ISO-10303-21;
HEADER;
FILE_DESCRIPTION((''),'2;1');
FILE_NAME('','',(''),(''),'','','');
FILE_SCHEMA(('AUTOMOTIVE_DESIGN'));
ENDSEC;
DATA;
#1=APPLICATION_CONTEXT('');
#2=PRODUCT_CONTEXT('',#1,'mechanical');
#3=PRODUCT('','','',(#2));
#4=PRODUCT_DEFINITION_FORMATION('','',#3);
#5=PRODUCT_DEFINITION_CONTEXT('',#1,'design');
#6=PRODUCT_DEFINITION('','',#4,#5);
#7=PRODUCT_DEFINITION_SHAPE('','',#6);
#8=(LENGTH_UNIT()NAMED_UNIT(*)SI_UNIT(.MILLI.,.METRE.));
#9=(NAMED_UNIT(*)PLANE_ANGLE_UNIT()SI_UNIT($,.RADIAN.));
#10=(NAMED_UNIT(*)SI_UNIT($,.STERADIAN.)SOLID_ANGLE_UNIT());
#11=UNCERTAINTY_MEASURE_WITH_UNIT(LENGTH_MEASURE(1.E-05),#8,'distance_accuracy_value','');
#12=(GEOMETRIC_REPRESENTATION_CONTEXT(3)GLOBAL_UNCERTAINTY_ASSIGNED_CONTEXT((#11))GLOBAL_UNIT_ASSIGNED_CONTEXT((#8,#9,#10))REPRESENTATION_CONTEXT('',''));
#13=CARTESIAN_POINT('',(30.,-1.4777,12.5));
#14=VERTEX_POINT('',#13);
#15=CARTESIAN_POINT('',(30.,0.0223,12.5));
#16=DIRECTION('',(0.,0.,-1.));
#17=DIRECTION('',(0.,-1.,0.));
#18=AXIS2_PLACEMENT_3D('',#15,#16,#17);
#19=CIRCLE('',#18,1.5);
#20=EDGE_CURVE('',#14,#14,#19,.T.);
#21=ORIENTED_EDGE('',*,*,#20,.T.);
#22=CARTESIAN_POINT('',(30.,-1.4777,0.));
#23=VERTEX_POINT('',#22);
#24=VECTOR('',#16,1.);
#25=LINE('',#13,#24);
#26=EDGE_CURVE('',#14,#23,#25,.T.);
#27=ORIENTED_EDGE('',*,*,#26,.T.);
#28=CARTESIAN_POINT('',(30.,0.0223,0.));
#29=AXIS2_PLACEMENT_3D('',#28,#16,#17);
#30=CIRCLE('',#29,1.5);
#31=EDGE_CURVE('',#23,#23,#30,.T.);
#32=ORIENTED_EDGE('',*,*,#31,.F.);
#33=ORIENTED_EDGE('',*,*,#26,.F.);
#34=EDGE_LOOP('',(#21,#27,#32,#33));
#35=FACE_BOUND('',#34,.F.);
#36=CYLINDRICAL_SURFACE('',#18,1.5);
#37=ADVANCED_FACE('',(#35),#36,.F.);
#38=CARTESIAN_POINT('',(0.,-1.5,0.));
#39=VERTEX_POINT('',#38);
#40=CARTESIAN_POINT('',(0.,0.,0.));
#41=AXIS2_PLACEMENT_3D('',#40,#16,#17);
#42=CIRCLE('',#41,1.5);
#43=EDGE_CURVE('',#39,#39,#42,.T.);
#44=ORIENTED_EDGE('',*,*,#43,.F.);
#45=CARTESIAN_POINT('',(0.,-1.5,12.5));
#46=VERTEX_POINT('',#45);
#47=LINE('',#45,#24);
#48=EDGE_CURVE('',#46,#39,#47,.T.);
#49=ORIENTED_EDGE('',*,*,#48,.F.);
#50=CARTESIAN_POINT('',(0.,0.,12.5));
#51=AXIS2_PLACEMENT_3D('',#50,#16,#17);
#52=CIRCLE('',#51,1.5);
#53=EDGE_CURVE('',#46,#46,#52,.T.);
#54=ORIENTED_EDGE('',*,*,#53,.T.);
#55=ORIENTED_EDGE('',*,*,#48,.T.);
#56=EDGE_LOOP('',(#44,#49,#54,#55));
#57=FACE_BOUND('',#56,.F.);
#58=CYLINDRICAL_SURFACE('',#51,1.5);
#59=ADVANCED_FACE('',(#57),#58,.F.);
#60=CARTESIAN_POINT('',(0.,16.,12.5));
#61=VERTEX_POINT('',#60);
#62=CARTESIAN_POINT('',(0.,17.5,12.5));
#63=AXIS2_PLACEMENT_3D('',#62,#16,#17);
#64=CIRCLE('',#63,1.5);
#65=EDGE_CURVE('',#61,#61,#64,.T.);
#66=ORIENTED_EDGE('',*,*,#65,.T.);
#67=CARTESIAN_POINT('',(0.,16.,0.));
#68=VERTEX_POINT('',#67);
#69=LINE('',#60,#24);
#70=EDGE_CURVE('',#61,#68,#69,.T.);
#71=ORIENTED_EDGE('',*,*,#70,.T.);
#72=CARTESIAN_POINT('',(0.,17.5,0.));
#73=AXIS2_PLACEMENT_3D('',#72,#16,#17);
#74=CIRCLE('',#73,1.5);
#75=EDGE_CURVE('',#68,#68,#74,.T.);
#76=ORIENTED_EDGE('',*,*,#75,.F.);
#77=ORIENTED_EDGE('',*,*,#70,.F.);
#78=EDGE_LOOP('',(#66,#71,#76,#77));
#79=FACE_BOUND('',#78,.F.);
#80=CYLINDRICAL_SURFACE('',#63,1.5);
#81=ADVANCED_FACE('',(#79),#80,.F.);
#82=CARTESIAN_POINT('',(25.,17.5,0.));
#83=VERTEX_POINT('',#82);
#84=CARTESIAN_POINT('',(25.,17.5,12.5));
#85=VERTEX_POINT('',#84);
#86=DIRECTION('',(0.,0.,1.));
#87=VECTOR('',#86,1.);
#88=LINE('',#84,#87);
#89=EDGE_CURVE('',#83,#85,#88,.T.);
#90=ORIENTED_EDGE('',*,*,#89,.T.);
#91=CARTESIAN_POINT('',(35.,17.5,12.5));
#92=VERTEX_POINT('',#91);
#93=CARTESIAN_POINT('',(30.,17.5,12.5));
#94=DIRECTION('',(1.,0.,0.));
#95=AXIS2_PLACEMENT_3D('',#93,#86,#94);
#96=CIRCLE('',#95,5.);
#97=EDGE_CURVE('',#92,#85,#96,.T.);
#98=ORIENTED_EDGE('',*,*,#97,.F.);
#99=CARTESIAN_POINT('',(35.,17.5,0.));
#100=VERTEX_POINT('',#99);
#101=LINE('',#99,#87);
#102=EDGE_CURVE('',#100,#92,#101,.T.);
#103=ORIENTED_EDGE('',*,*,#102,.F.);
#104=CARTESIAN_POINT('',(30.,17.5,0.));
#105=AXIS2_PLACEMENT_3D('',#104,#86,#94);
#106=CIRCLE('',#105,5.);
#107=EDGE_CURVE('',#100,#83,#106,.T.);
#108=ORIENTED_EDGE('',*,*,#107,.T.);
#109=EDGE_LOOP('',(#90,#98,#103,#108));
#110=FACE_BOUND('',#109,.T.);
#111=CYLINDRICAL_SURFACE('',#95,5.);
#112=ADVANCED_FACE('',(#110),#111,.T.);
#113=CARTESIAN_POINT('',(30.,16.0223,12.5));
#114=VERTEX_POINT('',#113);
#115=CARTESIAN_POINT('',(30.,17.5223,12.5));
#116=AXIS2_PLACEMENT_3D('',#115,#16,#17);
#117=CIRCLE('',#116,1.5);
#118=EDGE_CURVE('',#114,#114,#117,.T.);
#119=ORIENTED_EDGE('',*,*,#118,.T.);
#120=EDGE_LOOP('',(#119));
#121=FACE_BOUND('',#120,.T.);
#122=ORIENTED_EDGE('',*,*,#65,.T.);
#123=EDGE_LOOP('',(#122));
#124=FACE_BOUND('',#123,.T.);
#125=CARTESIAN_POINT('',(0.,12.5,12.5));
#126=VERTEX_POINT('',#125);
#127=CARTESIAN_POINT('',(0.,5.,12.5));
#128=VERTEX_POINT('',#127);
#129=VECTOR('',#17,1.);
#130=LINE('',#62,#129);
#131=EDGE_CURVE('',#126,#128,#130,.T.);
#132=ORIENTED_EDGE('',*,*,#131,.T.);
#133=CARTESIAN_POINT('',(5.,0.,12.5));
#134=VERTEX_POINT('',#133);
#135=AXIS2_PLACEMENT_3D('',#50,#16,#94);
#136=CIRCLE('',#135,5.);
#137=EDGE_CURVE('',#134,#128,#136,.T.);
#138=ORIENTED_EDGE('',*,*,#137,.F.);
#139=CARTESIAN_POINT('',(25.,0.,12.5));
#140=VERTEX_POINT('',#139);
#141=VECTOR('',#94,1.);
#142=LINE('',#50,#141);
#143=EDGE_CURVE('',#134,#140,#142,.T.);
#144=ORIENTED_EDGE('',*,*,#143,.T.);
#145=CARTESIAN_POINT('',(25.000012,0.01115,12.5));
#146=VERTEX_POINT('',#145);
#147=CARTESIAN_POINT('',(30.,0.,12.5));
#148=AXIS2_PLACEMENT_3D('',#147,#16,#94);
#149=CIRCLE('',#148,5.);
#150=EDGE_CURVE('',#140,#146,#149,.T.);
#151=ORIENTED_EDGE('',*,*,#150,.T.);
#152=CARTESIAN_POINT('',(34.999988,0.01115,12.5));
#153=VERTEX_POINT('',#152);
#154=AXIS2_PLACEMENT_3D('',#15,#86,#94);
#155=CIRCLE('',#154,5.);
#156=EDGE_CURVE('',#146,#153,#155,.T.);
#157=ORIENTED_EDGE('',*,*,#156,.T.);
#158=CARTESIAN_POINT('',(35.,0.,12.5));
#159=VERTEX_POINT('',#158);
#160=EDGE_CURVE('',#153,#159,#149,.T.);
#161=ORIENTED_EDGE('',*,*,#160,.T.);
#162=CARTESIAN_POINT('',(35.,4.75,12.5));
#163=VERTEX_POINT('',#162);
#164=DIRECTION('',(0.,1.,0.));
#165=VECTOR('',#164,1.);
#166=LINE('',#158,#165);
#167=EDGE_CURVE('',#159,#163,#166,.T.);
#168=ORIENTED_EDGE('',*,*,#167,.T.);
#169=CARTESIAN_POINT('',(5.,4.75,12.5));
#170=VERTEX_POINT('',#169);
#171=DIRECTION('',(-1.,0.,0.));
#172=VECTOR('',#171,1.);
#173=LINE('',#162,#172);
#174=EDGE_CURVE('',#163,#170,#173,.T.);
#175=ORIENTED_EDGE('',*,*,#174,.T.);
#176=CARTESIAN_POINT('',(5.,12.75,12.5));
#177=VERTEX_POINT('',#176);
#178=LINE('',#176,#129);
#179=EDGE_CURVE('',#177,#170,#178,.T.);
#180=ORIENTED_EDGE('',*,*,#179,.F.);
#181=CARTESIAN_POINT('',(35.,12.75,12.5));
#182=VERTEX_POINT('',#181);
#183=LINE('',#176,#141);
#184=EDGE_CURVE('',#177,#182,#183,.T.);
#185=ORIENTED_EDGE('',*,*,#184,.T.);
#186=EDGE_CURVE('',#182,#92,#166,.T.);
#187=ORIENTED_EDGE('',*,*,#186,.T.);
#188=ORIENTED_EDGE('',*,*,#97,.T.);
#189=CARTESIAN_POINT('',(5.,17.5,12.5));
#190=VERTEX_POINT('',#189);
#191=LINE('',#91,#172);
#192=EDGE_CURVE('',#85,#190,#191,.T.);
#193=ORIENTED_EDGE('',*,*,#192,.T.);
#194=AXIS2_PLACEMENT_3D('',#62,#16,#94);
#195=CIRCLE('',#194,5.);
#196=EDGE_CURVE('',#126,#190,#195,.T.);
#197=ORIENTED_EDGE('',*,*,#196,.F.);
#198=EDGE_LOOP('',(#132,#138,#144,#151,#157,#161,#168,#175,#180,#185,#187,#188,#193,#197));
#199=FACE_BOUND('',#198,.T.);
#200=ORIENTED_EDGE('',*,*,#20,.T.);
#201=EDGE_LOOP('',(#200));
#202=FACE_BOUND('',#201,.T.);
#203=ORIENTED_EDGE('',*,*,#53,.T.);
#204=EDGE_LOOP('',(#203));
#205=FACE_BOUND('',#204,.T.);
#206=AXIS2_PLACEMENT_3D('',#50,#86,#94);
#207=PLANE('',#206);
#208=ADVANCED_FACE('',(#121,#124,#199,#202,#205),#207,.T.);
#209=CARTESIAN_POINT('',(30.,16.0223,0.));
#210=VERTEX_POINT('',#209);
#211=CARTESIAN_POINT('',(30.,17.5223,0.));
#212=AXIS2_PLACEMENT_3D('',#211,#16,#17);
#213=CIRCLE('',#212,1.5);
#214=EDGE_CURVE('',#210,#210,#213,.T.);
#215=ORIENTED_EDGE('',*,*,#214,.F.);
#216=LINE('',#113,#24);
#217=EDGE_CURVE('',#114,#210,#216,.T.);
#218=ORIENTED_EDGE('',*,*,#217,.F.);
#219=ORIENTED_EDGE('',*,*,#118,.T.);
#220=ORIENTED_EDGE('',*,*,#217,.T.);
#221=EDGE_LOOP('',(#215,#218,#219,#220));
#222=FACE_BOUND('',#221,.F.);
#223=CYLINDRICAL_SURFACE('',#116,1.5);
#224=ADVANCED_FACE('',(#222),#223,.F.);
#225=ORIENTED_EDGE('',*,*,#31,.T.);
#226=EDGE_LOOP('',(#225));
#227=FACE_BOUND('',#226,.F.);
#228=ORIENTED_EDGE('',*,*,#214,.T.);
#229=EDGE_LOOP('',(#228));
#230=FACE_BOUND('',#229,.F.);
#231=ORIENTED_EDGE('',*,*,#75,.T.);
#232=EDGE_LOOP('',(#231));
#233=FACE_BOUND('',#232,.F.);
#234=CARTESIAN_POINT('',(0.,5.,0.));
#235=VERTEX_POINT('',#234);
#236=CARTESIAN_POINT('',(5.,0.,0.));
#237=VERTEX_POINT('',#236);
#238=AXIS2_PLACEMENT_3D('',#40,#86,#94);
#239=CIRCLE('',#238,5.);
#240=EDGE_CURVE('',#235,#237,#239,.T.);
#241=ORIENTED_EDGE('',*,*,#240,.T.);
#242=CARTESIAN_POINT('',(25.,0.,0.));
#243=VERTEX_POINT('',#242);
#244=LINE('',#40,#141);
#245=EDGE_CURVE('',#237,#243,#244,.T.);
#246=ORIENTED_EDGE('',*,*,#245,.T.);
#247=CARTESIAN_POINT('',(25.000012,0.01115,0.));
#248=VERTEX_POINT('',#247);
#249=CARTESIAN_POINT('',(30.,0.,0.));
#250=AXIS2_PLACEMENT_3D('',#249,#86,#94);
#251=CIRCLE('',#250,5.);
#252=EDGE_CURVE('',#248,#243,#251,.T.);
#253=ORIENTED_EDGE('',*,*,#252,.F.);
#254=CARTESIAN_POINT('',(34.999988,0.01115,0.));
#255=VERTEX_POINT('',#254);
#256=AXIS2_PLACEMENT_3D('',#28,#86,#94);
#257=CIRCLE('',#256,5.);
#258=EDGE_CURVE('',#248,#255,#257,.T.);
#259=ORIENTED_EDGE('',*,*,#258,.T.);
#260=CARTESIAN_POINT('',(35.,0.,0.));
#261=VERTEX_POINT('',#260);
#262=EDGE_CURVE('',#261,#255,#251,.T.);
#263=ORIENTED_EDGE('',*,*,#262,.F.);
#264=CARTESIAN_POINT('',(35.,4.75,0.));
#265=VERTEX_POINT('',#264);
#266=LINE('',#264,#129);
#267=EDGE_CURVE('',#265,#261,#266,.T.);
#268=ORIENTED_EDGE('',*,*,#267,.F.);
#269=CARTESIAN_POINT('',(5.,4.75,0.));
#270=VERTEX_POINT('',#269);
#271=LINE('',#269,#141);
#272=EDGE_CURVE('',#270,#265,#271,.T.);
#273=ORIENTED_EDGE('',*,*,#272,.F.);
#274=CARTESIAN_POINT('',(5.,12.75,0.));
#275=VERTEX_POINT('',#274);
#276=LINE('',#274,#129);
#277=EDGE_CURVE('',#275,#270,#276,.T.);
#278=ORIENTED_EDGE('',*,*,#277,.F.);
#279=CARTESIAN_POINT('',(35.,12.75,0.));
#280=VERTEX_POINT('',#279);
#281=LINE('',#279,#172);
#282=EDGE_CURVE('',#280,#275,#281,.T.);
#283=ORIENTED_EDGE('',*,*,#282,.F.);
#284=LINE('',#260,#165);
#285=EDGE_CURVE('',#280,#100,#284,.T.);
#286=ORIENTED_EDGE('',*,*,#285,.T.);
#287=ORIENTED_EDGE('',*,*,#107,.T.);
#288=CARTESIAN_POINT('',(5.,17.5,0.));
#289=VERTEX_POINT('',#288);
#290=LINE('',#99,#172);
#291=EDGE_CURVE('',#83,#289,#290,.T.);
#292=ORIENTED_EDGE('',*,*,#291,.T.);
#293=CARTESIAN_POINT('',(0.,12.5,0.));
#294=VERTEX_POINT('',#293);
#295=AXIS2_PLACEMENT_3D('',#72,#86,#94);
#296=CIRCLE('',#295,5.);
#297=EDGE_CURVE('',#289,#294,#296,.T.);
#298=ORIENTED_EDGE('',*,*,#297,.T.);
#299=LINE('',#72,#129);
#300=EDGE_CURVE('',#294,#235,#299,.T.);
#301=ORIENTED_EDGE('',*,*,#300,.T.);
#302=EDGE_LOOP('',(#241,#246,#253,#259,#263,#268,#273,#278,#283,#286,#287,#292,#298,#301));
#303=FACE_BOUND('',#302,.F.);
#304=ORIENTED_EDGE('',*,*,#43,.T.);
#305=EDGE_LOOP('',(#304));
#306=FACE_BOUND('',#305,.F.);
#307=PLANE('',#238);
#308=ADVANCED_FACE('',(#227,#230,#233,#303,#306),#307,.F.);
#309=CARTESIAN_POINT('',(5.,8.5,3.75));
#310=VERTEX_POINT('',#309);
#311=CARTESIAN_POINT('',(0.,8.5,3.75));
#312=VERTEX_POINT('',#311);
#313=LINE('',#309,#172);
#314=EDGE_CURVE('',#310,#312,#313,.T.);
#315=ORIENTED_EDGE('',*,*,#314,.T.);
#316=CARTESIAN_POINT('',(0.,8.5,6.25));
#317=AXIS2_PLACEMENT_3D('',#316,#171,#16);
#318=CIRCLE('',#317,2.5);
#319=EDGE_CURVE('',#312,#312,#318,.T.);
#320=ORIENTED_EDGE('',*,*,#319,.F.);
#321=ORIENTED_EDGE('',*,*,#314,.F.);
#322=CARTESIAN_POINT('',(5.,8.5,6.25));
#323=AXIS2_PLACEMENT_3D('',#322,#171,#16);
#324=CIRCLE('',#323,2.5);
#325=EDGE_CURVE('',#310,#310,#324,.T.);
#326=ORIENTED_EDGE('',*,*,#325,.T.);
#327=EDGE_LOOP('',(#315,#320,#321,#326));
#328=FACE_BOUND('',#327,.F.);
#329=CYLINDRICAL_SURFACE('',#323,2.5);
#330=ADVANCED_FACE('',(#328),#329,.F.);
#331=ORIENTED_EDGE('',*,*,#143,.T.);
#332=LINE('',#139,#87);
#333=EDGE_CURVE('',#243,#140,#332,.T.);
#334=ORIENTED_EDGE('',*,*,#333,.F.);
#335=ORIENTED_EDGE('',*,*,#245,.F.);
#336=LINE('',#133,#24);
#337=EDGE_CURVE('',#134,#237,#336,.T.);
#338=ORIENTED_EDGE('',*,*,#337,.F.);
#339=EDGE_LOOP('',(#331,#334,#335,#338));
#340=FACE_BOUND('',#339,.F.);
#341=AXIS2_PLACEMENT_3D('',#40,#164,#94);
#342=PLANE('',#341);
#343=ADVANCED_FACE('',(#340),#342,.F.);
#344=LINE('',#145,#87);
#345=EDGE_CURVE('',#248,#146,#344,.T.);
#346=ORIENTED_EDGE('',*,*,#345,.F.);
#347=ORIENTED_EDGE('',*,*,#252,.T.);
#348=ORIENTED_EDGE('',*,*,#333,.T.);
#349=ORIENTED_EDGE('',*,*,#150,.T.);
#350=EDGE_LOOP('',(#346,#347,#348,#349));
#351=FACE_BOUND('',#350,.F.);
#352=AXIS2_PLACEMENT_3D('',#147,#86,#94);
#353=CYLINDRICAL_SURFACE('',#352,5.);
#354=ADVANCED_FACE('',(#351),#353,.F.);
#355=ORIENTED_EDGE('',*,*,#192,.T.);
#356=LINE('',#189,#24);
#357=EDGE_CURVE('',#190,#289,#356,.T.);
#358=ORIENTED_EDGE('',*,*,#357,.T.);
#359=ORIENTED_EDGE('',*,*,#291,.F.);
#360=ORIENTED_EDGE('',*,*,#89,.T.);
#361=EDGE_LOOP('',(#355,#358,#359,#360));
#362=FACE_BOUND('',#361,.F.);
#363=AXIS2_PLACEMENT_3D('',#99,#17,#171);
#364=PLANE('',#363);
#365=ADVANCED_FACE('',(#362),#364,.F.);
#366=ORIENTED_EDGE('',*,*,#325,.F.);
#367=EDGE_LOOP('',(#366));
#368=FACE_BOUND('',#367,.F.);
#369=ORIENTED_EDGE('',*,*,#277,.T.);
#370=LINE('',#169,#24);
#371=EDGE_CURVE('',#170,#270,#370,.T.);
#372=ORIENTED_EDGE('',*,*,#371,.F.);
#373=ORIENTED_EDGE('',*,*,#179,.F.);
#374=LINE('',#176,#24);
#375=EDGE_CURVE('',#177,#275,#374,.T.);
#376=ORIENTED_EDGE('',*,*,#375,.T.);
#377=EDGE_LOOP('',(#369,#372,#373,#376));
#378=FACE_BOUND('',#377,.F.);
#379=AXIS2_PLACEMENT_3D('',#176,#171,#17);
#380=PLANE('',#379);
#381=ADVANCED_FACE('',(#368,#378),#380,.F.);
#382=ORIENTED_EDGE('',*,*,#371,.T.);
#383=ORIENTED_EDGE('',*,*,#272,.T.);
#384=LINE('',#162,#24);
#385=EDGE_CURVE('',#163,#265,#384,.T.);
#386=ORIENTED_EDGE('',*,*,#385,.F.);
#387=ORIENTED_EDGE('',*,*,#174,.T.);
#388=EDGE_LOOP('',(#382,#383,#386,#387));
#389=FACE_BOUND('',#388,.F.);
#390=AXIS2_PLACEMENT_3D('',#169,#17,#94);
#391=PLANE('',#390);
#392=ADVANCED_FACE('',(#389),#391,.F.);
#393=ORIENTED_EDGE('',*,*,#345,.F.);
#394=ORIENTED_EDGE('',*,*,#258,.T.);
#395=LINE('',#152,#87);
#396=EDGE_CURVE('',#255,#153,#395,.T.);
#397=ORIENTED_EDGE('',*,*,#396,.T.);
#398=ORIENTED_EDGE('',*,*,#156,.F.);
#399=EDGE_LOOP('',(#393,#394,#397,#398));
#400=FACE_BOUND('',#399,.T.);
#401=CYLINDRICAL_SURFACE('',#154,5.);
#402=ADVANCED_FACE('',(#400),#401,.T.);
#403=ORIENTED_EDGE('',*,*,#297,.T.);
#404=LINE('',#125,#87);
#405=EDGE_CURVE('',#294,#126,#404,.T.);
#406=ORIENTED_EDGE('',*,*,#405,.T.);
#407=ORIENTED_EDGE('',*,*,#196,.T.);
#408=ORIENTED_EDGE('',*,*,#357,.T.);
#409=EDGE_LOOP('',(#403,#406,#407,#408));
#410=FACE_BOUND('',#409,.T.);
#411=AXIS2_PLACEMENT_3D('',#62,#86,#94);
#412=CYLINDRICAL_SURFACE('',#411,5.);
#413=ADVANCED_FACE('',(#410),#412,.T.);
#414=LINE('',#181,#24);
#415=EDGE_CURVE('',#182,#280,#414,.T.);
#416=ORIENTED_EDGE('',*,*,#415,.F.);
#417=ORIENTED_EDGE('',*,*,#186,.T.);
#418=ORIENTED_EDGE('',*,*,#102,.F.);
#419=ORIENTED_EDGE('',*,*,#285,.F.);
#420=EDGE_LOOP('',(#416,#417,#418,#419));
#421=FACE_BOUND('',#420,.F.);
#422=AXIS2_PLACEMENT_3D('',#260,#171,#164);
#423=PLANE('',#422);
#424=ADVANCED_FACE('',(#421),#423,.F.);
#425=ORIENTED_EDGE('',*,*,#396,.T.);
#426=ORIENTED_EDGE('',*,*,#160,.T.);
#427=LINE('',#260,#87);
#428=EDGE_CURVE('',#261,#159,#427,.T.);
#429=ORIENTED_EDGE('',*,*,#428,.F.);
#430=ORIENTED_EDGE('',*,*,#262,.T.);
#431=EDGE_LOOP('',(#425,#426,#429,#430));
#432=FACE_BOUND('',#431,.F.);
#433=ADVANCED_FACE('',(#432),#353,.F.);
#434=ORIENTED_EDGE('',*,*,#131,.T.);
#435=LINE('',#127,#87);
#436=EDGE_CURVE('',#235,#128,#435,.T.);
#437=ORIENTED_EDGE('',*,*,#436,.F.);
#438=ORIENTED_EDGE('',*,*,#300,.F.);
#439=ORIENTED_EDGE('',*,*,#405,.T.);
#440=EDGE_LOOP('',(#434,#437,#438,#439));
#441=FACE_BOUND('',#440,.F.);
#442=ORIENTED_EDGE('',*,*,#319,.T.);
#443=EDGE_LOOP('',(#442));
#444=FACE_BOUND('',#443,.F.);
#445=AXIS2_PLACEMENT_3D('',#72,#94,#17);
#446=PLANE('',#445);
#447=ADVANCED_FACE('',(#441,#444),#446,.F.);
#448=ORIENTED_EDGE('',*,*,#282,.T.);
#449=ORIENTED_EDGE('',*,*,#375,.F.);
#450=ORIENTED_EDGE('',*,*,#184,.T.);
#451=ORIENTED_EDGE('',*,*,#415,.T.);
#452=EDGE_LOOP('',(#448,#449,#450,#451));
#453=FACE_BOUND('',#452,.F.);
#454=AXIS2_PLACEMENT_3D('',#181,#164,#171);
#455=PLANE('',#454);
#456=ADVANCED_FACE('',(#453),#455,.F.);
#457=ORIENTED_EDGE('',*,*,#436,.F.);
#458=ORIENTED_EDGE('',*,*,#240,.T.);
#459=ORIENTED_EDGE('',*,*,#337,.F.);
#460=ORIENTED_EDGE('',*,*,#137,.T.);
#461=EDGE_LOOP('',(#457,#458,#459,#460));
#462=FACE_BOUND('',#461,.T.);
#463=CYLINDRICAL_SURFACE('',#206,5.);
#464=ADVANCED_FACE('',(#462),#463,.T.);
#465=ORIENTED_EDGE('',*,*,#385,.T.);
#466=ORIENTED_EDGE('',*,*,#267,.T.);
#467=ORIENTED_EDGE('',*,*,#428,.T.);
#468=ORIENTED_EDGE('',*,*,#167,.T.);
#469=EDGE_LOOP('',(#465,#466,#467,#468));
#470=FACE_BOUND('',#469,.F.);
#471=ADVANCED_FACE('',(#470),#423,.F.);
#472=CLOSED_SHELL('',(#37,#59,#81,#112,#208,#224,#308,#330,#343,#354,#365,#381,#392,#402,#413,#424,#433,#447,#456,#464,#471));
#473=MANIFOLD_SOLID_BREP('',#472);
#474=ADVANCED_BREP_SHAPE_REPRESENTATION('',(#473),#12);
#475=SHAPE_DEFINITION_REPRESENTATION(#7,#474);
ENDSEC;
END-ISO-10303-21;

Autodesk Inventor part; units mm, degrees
ref_plane "YZ Plane" through (0, 0, 0) normal (1, 0, 0) x (0, 1, 0)
ref_plane "XZ Plane" through (0, 0, 0) normal (0, 1, 0) x (-1, 0, 0)
ref_plane "XY Plane" through (0, 0, 0) normal (0, 0, 1) x (1, 0, 0)
sketch "Skizze1" plane through (0, 0, 0) normal (0, 0, 1) x (1, 0, 0)
  line L0 (0, 0) -> (35, 0)
  line L1 (35, 0) -> (35, 17.5)
  line L2 (35, 17.5) -> (0, 17.5)
  line L3 (0, 17.5) -> (0, 0)
  dimension "d0" = 35
  dimension "d1" = 17.5
extrude "Extrusion1" add sketch "Skizze1" along normal blind 12.5
sketch "Skizze2" plane through (0, 0, 12.5) normal (0, 0, 1) x (1, 0, 0)
  line L0 (35, 0) -> (35, 17.5) projected
  line L1 (35, 12.75) -> (5, 12.75)
  line L2 (5, 12.75) -> (5, 4.75)
  line L3 (5, 4.75) -> (35, 4.75)
  line L4 (35, 4.75) -> (35, 12.75)
  line L5 (0, 0) -> (35, 0) projected
  dimension "d4" = 4.75
  dimension "d5" = 4.75
  dimension "d6" = 30
extrude "Extrusion2" cut sketch "Skizze2" against normal blind 12.5
sketch "Skizze3" plane through (0, 0, 12.5) normal (0, 0, 1) x (1, 0, 0)
  circle A0 centre (0, 17.5) radius 5
  circle A1 centre (0, 0) radius 5
  line L0 (0, 0) -> (35, 0) projected
  circle A2 centre (30, 0) radius 5
  line L1 (35, 17.5) -> (0, 17.5) projected
  circle A3 centre (30, 17.5) radius 5
  line L2 (35, 12.75) -> (35, 17.5) projected
  dimension "d9" = 10
  dimension "d10" = 10
  dimension "d11" = 10
  dimension "d12" = 10
extrude "Extrusion3" cut sketch "Skizze3" against normal blind 12.5
sketch "Skizze4" plane through (0, 0, 12.5) normal (0, 0, 1) x (1, 0, 0)
  circle A0 centre (30, 17.5) radius 5
  circle A1 centre (30, 0.0223) radius 5
  circle A2 centre (0, 0) radius 5
  circle A3 centre (0, 17.5) radius 5
  line L0 (0, 12.5) -> (0, 5) projected
  line L1 (5, 4.75) -> (5, 12.75) projected
  dimension "d17" = 10
  dimension "d18" = 10
  dimension "d19" = 10
  dimension "d20" = 10
  dimension "d21" = 30
  dimension "d24" = 25
extrude "Extrusion4" add sketch "Skizze4" against normal blind 12.5
sketch "Skizze5" plane through (0, 0, 12.5) normal (0, 0, 1) x (1, 0, 0)
  arc A0 (25, 0.0111) -> (35, 0.0111) centre (30, 0.0223) ccw projected
  point P0 (0, 0)
  point P1 (0, 0)
  point P2 (0, 17.5)
  point P3 (30, 17.5223)
  dimension "d27" = 17.5
  dimension "d28" = 17.5
  dimension "d29" = 30
sketch "Skizze6" plane through (0, 0, 12.5) normal (0, 0, 1) x (1, 0, 0)
  point P0 (0, 0)
hole "Bohrung1" at (0, 0, 12.5) at (0, 17.5, 12.5) at (30, 17.5223, 12.5) at (30, 0.0223, 12.5) direction (0, 0, -1) diameter 3 end through all
sketch "Skizze8" plane through (5, 4.75, 12.5) normal (1, 0, 0) x (0, 0, -1)
  line L0 (12.5, 8) -> (12.5, 0) projected
  line L1 (12.5, 0) -> (0, 0) projected
  point P0 (12.5, -4.75)
  point P1 (6.25, 3.75)
  dimension "d37" = 6.25
  dimension "d38" = 3.75
hole "Bohrung2" at (5, 8.5, 6.25) direction (-1, 0, 0) diameter 5 end through all
sketch "Skizze9" plane through (5, 4.75, 12.5) normal (1, 0, 0) x (0, 0, -1)
  line L0 (12.5, 0) -> (0, 0) projected
  line L1 (0, 8) -> (12.5, 8) projected
  line L2 (0, 0) -> (12.5, 0)
  line L3 (12.5, 0) -> (12.5, 8)
  line L4 (12.5, 8) -> (0, 8)
  line L5 (0, 8) -> (0, 0)
  point P0 (12.5, -4.75)
extrude "Extrusion5" cut sketch "Skizze9" along normal blind 30
properties part number "halterung_arm"
